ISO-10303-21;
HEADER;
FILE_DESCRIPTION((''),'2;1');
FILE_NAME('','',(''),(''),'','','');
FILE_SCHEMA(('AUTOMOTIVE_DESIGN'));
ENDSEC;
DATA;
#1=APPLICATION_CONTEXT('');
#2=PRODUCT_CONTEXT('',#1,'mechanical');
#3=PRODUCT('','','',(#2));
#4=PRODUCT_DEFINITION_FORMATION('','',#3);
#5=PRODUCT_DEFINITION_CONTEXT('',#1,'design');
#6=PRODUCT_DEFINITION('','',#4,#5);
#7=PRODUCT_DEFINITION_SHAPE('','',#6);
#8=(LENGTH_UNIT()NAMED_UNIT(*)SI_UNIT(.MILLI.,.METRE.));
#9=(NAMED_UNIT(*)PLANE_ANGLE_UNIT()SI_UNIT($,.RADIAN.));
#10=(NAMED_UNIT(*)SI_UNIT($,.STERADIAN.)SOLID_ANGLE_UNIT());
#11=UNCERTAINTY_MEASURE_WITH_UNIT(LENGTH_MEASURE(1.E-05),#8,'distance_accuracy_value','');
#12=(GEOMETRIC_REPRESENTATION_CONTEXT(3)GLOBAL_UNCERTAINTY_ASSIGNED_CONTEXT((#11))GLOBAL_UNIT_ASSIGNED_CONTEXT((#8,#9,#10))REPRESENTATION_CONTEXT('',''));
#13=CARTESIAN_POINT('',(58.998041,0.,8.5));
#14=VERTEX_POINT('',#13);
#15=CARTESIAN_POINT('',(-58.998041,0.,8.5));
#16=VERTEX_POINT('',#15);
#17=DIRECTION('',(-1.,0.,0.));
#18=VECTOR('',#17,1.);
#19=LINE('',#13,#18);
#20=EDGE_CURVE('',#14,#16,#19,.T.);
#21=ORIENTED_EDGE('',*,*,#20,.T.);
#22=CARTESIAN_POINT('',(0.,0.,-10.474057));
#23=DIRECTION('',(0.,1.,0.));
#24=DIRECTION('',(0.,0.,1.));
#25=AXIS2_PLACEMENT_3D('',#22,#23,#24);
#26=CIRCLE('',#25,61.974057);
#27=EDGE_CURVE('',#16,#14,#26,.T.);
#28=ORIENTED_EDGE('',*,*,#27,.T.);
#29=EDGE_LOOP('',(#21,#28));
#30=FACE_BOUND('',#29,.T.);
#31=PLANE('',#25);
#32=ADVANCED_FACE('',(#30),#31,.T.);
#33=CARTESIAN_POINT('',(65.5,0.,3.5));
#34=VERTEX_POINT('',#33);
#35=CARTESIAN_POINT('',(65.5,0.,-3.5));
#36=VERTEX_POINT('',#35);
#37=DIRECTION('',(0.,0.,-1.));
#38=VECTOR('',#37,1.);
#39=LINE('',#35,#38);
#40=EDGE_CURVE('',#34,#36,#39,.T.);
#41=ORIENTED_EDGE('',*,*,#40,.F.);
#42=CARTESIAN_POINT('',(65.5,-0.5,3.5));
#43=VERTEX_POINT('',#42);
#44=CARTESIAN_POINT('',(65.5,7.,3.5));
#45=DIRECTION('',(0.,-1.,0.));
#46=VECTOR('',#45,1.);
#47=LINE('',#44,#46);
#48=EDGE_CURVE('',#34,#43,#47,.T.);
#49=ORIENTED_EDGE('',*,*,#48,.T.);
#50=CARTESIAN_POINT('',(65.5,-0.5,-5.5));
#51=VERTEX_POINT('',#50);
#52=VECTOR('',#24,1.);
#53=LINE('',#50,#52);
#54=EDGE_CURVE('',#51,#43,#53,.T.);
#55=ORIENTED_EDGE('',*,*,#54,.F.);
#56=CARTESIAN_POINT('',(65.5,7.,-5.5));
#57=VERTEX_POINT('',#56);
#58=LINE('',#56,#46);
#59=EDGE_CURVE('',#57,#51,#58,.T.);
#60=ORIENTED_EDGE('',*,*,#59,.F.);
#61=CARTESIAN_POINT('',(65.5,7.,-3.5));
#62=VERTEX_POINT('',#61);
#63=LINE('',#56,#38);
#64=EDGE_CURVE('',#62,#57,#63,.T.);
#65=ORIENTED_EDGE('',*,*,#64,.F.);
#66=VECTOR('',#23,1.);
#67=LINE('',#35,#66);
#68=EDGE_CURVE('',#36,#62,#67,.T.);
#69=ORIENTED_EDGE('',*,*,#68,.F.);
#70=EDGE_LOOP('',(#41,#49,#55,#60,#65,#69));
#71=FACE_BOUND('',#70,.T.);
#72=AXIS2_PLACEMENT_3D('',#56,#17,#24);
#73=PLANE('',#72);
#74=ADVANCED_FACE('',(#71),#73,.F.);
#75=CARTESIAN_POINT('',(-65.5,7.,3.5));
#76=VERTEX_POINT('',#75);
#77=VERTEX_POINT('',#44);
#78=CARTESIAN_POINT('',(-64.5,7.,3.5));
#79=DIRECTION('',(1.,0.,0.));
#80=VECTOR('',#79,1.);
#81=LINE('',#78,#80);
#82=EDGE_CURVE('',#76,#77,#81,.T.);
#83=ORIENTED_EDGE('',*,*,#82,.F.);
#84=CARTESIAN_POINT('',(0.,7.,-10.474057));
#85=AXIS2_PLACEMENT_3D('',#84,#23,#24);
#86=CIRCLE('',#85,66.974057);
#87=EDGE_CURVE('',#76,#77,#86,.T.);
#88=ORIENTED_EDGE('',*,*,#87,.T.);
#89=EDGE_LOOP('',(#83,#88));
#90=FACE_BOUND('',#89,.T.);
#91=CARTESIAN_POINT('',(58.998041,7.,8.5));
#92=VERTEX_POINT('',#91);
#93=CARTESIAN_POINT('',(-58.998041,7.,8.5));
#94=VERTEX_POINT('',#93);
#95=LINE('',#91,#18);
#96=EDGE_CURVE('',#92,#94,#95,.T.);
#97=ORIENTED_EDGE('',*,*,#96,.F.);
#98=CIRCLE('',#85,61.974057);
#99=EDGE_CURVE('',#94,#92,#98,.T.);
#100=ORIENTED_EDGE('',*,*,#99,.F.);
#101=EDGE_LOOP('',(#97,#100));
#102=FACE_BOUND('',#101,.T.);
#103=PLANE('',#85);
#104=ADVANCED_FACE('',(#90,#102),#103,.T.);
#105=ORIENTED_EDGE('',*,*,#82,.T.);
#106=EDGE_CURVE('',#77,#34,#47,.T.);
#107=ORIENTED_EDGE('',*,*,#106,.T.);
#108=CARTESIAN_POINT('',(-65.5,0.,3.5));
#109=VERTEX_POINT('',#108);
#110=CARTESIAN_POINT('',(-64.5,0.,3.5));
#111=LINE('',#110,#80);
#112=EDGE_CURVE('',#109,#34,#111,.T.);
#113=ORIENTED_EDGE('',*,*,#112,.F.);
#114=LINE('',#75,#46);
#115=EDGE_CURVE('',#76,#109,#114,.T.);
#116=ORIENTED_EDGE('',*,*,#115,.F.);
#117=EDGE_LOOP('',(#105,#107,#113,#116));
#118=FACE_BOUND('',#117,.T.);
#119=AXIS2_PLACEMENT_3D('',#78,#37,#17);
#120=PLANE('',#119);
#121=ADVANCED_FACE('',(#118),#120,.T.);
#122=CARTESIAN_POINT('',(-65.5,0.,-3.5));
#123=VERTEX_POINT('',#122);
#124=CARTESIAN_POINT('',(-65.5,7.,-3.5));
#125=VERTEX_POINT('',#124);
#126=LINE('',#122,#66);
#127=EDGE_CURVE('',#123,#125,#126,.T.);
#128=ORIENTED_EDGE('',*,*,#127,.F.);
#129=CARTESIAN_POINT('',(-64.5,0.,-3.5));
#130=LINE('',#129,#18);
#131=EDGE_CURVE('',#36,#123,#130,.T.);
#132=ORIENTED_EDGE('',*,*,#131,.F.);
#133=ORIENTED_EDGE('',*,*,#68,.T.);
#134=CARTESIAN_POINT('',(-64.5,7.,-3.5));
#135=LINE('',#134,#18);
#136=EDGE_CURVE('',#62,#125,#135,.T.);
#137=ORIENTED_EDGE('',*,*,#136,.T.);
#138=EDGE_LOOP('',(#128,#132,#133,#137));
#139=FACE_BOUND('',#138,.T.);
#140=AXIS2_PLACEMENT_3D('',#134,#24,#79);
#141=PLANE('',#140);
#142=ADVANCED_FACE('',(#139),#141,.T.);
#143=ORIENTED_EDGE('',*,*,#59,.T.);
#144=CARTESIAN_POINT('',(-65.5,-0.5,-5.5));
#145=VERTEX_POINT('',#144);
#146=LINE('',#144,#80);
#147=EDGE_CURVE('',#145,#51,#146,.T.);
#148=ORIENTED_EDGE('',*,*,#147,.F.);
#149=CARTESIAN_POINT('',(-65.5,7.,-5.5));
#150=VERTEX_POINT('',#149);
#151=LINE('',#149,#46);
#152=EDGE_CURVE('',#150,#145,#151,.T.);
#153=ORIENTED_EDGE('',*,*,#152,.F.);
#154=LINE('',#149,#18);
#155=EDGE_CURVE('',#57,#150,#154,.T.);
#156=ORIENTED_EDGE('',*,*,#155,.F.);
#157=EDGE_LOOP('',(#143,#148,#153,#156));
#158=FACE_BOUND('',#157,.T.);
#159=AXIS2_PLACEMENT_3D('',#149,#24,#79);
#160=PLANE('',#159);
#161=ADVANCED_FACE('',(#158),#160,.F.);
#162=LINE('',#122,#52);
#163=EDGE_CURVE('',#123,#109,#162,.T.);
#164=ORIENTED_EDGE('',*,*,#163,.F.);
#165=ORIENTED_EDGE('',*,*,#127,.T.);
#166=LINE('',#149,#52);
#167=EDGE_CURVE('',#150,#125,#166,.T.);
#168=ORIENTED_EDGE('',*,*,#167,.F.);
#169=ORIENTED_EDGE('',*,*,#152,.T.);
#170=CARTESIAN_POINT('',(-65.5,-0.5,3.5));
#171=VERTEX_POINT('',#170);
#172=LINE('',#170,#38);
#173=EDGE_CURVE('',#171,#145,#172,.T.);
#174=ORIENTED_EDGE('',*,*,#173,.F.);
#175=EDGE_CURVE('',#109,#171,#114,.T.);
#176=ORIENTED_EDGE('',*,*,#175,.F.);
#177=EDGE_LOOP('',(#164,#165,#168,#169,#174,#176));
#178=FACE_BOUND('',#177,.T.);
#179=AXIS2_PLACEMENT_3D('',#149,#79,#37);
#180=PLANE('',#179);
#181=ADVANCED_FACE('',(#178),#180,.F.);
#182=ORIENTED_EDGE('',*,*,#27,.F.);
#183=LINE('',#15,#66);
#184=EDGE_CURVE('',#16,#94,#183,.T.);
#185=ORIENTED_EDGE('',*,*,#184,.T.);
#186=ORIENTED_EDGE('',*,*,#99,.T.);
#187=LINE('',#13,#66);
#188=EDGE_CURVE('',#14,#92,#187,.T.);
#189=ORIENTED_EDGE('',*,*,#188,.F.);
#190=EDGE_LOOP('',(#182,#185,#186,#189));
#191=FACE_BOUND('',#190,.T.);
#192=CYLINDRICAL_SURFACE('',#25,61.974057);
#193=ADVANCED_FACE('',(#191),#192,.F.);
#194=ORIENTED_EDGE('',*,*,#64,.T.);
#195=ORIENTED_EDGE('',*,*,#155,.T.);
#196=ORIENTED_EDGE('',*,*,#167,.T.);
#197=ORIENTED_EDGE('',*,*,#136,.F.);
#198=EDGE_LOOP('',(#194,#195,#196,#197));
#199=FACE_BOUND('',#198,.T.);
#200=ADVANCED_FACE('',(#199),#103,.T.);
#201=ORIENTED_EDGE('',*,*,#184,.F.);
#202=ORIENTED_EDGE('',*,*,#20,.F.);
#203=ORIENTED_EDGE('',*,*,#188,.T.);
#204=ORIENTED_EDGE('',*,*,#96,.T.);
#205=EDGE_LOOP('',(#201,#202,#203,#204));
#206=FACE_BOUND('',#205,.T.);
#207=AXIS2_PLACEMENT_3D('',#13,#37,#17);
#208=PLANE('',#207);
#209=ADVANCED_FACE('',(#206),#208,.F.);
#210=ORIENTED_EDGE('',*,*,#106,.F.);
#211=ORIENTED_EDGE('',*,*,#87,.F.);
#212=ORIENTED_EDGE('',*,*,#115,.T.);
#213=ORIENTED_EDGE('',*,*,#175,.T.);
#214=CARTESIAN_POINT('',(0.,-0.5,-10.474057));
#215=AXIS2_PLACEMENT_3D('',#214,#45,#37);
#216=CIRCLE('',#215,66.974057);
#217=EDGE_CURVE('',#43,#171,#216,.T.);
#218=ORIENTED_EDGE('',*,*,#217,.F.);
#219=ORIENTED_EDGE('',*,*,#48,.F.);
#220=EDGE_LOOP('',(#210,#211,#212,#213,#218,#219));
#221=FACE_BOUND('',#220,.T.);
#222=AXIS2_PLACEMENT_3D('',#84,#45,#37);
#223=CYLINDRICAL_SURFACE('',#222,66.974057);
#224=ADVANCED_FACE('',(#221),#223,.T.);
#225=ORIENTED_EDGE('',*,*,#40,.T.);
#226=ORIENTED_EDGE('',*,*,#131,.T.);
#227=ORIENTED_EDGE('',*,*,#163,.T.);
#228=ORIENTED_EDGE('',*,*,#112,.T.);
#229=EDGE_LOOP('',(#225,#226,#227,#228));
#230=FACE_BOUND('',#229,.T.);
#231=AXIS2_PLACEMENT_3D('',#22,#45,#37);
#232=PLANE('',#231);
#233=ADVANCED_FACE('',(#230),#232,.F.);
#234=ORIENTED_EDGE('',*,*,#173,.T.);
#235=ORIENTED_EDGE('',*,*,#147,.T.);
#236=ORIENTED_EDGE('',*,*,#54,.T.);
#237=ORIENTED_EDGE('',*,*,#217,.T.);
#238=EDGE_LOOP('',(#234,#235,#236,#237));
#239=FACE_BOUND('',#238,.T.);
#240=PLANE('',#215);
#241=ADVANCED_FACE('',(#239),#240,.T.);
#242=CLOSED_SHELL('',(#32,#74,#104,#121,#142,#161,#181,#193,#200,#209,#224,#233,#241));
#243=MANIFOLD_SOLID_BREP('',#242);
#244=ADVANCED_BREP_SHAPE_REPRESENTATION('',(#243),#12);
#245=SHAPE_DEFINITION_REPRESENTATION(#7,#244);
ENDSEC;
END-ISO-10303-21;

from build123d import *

# Parameters (mm, degrees)
SKETCH1_W           = 129
SKETCH1_H           = 7
BOSS_EXTRUDE1_DEPTH = 7
BOSS_EXTRUDE2_START = 0.5
BOSS_EXTRUDE2_DEPTH = 0.5
SKETCH3_W           = 131
SKETCH3_H           = 7
CUT_EXTRUDE4_DEPTH  = 7
CUT_EXTRUDE5_DEPTH  = 7


with BuildPart() as part:
    # Sketch1 → Boss-Extrude1 (new body)
    with BuildSketch(Plane(origin=(0, 0, 0), x_dir=(1, 0, 0), z_dir=(0, 1, 0))):
        with BuildLine():
            Line((-65.5, 5.5), (-65.5, -3.5))
            ThreePointArc((-65.5, -3.5), (0, -56.5), (65.5, -3.5))
            Line((65.5, -3.5), (65.5, 5.5))
            Line((65.5, 5.5), (-65.5, 5.5))
        make_face()
        Rectangle(SKETCH1_W, SKETCH1_H, mode=Mode.SUBTRACT)
    extrude(amount=BOSS_EXTRUDE1_DEPTH)

    # Sketch2 → Boss-Extrude2 (add)
    with BuildSketch(Plane.XZ.offset(BOSS_EXTRUDE2_START)):
        with BuildLine():
            Line((-65.5, -5.5), (65.5, -5.5))
            Line((65.5, -5.5), (65.5, 3.5))
            ThreePointArc((65.5, 3.5), (0, 56.5), (-65.5, 3.5))
            Line((-65.5, 3.5), (-65.5, -5.5))
        make_face()
    extrude(amount=-BOSS_EXTRUDE2_DEPTH)

    # Sketch3 → Cut-Extrude4 (cut)
    with BuildSketch(Plane(origin=(0, 7, 0), x_dir=(1, 0, 0), z_dir=(0, 1, 0))):
        Rectangle(SKETCH3_W, SKETCH3_H)
    extrude(amount=-CUT_EXTRUDE4_DEPTH, mode=Mode.SUBTRACT)

    # Sketch4 → Cut-Extrude5 (cut)
    with BuildSketch(Plane(origin=(0, 7, 0), x_dir=(1, 0, 0), z_dir=(0, 1, 0))):
        with BuildLine():
            Line((58.998041221, -8.5), (-58.998041221, -8.5))
            ThreePointArc((-58.998041221, -8.5), (0, -51.5), (58.998041221, -8.5))
        make_face()
    extrude(amount=-CUT_EXTRUDE5_DEPTH, mode=Mode.SUBTRACT)


solid = part.part
